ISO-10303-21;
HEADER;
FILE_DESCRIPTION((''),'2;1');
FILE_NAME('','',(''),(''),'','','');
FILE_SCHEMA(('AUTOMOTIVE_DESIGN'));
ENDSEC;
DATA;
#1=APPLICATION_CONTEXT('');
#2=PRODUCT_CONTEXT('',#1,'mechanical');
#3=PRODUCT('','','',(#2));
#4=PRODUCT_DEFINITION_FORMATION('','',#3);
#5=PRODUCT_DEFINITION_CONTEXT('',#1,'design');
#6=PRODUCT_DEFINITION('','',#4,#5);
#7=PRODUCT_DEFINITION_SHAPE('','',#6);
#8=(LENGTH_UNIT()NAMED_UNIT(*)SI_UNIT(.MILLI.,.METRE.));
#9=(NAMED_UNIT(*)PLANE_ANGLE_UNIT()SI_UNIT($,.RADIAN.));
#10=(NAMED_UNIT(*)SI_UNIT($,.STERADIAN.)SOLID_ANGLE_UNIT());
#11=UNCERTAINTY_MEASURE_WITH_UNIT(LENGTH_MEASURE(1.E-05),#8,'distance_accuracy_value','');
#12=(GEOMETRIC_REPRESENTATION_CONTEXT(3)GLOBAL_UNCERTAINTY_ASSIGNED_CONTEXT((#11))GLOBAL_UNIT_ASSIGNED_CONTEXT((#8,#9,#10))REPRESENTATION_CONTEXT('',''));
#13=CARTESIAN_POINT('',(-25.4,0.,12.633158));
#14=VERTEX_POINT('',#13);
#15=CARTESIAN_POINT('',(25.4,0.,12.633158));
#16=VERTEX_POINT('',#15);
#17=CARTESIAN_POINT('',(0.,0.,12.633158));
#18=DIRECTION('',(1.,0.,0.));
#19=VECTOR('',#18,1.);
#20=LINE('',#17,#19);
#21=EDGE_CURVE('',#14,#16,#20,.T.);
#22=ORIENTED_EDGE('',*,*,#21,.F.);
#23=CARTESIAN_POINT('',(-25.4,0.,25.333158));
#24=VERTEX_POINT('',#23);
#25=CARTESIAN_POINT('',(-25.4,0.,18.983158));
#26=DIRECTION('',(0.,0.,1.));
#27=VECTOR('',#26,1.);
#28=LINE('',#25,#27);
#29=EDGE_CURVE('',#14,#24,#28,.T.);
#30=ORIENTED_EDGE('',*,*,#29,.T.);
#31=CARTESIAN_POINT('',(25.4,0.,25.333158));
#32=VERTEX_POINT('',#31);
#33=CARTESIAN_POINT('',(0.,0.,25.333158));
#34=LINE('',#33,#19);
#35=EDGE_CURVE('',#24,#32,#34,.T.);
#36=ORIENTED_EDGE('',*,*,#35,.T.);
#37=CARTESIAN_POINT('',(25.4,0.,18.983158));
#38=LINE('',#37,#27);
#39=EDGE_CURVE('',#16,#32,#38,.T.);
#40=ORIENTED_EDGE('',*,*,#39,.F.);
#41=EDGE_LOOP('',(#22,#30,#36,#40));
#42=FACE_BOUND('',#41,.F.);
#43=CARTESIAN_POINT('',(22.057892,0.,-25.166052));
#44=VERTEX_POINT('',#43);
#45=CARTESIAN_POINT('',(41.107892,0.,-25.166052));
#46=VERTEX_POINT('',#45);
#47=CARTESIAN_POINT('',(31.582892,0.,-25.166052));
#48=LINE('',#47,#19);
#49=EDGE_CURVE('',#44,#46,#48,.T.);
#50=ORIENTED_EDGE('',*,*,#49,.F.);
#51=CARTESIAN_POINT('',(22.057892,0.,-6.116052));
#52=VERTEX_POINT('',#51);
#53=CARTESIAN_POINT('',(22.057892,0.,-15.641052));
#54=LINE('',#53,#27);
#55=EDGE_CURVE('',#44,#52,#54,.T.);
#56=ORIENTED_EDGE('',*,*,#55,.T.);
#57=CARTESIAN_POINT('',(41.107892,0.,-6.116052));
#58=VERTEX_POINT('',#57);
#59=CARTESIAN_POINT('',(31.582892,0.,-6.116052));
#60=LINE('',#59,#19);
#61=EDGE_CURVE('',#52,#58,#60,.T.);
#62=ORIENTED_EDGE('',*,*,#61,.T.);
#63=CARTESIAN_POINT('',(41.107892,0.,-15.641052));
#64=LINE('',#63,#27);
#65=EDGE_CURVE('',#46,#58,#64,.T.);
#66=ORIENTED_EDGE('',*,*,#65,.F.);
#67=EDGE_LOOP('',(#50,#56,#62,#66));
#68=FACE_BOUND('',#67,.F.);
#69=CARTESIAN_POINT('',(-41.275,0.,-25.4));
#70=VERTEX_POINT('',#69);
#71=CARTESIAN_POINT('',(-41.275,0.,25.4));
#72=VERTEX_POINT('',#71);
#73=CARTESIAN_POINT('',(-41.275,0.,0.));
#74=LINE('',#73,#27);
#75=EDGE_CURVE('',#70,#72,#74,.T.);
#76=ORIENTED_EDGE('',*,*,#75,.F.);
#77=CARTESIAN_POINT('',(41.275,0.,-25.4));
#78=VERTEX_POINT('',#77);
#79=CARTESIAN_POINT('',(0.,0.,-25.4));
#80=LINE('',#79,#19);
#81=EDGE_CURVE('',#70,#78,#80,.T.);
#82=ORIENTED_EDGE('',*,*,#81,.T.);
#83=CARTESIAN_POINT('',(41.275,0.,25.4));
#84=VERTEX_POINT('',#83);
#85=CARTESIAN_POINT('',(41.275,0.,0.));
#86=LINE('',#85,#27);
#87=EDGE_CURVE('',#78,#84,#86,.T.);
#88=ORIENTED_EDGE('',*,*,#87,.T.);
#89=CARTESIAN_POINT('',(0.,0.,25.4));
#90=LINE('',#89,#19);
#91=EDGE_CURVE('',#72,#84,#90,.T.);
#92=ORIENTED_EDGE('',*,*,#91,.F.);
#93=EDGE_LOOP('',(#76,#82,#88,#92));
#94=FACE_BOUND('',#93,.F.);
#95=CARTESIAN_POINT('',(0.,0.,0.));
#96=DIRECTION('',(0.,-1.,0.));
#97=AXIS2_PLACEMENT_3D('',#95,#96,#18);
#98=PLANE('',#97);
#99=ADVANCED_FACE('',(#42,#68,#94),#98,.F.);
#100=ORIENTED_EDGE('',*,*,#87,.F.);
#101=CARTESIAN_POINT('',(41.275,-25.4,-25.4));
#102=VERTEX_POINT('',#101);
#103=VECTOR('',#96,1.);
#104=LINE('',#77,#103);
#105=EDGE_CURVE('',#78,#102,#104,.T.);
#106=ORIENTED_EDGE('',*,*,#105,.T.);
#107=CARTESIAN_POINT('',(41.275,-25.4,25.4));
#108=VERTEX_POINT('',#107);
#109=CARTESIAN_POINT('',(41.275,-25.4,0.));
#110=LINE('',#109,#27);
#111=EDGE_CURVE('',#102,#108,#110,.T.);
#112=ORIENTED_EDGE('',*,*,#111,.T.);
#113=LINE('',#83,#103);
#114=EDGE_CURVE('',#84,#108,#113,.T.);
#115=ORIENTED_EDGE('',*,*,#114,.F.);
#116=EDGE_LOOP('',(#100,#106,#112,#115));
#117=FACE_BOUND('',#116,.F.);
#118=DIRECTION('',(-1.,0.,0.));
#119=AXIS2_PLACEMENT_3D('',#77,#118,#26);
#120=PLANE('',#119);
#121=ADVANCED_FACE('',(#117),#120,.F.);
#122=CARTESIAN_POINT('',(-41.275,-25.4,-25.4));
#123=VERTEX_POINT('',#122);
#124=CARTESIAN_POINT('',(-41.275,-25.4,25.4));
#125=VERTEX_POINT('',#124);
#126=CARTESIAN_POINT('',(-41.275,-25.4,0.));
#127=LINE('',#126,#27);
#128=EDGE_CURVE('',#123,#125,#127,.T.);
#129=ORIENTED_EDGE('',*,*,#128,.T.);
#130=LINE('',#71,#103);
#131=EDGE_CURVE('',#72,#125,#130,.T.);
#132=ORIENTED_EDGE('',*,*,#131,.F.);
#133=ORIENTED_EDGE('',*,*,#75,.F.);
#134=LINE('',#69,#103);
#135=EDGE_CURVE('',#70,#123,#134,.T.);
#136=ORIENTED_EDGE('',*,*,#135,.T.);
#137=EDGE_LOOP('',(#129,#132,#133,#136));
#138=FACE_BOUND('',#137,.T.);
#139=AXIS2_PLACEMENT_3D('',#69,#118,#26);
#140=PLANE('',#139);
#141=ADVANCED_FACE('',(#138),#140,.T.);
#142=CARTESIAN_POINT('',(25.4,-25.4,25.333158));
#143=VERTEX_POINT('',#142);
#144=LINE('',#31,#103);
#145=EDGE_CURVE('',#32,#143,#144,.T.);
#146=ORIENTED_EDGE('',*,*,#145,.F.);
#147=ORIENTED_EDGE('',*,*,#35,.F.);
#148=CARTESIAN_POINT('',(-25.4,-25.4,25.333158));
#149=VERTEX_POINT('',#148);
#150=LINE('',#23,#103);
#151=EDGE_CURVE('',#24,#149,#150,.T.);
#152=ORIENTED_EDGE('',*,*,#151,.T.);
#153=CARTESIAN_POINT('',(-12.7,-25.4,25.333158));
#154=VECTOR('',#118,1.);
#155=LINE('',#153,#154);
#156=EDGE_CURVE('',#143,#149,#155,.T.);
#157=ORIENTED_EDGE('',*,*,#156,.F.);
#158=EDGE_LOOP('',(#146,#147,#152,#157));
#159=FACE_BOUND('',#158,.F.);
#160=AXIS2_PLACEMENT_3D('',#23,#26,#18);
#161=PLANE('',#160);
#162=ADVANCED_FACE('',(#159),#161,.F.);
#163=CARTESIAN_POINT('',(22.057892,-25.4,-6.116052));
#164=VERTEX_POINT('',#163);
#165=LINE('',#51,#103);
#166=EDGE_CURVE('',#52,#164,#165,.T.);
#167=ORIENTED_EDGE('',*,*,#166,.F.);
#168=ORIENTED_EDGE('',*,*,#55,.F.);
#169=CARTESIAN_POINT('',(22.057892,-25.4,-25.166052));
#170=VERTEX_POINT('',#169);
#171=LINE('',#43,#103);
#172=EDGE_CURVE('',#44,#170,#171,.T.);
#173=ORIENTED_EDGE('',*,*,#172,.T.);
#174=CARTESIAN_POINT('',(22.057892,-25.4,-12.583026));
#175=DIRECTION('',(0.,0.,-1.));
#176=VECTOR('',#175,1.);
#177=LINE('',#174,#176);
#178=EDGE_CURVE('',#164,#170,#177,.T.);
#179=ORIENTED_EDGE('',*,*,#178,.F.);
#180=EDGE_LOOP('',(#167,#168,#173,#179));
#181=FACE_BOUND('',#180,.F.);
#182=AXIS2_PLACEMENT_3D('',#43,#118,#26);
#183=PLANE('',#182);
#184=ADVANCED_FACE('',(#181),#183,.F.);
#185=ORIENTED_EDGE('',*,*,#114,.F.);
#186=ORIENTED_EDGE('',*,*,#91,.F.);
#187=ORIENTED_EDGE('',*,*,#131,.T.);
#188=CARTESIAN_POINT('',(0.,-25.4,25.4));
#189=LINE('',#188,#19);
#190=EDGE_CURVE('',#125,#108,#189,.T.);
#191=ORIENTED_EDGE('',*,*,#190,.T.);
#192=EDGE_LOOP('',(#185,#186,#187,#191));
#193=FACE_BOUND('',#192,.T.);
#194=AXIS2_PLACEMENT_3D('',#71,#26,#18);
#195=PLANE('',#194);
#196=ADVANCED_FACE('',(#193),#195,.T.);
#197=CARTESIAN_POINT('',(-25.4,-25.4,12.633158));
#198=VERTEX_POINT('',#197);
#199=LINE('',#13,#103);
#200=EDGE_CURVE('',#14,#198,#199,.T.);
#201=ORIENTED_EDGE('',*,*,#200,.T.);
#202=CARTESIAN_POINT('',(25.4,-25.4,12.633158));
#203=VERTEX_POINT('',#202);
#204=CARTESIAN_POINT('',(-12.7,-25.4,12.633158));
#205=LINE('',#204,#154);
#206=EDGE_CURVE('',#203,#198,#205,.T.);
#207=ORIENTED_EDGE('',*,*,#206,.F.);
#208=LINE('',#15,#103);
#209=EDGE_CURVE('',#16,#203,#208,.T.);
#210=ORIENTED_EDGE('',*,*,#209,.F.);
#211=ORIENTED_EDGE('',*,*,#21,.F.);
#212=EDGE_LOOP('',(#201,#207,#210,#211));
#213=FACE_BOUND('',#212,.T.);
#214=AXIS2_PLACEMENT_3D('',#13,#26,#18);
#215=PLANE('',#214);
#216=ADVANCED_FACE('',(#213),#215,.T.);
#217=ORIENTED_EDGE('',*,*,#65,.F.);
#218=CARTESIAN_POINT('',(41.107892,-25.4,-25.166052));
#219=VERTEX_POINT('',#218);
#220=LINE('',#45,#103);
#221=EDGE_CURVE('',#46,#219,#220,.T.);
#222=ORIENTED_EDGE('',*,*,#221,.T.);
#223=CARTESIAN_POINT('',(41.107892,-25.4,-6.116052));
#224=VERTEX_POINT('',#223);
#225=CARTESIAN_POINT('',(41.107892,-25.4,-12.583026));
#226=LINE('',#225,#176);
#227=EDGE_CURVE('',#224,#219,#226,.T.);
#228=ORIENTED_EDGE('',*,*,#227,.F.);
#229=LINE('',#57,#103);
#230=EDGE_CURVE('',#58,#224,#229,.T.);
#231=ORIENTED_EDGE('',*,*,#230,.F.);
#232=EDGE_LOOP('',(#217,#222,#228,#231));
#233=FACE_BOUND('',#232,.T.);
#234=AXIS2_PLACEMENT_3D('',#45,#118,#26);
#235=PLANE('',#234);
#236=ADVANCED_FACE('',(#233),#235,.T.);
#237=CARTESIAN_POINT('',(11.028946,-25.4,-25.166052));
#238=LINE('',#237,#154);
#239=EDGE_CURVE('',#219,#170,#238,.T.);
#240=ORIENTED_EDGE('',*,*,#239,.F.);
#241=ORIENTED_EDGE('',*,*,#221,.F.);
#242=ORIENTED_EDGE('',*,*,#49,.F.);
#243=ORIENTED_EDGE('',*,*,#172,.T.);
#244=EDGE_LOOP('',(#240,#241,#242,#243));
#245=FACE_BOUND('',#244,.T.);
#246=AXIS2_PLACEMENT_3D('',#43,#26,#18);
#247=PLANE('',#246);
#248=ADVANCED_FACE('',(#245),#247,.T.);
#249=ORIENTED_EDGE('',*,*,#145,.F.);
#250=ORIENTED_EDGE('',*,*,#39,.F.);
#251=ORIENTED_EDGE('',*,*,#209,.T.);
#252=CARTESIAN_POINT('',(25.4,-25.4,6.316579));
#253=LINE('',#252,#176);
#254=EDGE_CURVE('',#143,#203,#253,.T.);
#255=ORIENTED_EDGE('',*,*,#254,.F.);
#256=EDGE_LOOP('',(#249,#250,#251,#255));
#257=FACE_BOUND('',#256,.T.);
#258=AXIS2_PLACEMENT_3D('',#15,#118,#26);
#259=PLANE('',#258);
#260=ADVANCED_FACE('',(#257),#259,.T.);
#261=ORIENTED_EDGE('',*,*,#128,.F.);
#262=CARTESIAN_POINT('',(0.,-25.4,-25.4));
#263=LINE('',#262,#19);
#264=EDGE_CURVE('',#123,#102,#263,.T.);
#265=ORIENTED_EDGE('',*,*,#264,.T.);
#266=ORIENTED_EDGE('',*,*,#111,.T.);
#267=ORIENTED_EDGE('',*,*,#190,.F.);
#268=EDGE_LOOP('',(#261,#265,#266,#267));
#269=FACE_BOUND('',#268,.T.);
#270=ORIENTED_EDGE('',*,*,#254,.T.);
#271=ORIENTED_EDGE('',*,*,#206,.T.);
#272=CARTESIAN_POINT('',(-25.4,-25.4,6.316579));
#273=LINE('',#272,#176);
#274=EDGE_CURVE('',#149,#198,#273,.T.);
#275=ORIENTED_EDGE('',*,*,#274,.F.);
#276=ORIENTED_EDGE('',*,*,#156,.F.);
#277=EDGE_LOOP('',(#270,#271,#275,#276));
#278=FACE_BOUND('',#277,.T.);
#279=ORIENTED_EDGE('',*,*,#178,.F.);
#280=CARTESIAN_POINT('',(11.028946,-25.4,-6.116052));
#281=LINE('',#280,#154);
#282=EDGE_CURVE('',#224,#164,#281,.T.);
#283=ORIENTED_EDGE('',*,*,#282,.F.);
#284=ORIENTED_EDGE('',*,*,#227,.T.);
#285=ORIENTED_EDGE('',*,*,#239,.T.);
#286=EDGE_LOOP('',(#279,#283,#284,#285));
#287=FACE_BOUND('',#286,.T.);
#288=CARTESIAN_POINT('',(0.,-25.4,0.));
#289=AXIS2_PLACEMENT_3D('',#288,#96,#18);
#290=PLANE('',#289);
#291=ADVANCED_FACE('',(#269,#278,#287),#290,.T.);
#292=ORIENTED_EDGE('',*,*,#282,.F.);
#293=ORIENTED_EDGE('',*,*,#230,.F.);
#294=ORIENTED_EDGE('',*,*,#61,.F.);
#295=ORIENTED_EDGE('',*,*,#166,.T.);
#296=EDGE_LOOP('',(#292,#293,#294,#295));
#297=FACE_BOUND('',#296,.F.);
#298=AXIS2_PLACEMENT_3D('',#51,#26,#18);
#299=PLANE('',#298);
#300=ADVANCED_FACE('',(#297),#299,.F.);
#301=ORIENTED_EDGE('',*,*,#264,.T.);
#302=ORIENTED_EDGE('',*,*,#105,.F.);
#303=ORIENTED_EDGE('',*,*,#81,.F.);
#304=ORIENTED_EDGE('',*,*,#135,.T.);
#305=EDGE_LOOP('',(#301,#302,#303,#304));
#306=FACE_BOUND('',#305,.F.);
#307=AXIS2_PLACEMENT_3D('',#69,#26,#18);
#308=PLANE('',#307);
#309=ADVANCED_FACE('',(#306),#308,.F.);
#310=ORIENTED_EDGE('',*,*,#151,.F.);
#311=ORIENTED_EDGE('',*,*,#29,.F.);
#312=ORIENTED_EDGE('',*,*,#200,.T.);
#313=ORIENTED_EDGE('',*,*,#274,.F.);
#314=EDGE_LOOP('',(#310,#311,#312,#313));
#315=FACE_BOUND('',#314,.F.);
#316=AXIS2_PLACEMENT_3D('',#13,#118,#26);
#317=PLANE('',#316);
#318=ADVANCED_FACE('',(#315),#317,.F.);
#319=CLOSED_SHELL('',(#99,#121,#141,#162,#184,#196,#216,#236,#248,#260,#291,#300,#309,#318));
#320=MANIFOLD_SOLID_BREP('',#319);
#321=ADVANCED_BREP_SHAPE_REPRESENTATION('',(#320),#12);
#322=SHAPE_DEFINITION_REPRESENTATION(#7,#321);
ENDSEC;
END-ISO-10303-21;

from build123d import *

# Parameters (mm, degrees)
F0_W     = 82.55
F0_H     = 50.8
F1_DEPTH = 25.4
F2_W     = 50.8
F2_H     = 12.7
F3_DEPTH = 50.292
F4_W     = 19.05
F4_H     = 19.05
F5_DEPTH = 72.644


with BuildPart() as f1:
    # F0 (on Front) → F1 (new body)
    with BuildSketch(Plane.XZ):
        Rectangle(F0_W, F0_H)
    extrude(amount=F1_DEPTH)

    # F2 (on Front) → F3 (cut)
    with BuildSketch(Plane.XZ):
        with Locations((0, 18.983158)):
            Rectangle(F2_W, F2_H)
    extrude(amount=F3_DEPTH, mode=Mode.SUBTRACT)

    # F4 (on Front) → F5 (cut)
    with BuildSketch(Plane.XZ):
        with Locations((31.582892, -15.641052)):
            Rectangle(F4_W, F4_H)
    extrude(amount=F5_DEPTH, mode=Mode.SUBTRACT)


solid = f1.part
